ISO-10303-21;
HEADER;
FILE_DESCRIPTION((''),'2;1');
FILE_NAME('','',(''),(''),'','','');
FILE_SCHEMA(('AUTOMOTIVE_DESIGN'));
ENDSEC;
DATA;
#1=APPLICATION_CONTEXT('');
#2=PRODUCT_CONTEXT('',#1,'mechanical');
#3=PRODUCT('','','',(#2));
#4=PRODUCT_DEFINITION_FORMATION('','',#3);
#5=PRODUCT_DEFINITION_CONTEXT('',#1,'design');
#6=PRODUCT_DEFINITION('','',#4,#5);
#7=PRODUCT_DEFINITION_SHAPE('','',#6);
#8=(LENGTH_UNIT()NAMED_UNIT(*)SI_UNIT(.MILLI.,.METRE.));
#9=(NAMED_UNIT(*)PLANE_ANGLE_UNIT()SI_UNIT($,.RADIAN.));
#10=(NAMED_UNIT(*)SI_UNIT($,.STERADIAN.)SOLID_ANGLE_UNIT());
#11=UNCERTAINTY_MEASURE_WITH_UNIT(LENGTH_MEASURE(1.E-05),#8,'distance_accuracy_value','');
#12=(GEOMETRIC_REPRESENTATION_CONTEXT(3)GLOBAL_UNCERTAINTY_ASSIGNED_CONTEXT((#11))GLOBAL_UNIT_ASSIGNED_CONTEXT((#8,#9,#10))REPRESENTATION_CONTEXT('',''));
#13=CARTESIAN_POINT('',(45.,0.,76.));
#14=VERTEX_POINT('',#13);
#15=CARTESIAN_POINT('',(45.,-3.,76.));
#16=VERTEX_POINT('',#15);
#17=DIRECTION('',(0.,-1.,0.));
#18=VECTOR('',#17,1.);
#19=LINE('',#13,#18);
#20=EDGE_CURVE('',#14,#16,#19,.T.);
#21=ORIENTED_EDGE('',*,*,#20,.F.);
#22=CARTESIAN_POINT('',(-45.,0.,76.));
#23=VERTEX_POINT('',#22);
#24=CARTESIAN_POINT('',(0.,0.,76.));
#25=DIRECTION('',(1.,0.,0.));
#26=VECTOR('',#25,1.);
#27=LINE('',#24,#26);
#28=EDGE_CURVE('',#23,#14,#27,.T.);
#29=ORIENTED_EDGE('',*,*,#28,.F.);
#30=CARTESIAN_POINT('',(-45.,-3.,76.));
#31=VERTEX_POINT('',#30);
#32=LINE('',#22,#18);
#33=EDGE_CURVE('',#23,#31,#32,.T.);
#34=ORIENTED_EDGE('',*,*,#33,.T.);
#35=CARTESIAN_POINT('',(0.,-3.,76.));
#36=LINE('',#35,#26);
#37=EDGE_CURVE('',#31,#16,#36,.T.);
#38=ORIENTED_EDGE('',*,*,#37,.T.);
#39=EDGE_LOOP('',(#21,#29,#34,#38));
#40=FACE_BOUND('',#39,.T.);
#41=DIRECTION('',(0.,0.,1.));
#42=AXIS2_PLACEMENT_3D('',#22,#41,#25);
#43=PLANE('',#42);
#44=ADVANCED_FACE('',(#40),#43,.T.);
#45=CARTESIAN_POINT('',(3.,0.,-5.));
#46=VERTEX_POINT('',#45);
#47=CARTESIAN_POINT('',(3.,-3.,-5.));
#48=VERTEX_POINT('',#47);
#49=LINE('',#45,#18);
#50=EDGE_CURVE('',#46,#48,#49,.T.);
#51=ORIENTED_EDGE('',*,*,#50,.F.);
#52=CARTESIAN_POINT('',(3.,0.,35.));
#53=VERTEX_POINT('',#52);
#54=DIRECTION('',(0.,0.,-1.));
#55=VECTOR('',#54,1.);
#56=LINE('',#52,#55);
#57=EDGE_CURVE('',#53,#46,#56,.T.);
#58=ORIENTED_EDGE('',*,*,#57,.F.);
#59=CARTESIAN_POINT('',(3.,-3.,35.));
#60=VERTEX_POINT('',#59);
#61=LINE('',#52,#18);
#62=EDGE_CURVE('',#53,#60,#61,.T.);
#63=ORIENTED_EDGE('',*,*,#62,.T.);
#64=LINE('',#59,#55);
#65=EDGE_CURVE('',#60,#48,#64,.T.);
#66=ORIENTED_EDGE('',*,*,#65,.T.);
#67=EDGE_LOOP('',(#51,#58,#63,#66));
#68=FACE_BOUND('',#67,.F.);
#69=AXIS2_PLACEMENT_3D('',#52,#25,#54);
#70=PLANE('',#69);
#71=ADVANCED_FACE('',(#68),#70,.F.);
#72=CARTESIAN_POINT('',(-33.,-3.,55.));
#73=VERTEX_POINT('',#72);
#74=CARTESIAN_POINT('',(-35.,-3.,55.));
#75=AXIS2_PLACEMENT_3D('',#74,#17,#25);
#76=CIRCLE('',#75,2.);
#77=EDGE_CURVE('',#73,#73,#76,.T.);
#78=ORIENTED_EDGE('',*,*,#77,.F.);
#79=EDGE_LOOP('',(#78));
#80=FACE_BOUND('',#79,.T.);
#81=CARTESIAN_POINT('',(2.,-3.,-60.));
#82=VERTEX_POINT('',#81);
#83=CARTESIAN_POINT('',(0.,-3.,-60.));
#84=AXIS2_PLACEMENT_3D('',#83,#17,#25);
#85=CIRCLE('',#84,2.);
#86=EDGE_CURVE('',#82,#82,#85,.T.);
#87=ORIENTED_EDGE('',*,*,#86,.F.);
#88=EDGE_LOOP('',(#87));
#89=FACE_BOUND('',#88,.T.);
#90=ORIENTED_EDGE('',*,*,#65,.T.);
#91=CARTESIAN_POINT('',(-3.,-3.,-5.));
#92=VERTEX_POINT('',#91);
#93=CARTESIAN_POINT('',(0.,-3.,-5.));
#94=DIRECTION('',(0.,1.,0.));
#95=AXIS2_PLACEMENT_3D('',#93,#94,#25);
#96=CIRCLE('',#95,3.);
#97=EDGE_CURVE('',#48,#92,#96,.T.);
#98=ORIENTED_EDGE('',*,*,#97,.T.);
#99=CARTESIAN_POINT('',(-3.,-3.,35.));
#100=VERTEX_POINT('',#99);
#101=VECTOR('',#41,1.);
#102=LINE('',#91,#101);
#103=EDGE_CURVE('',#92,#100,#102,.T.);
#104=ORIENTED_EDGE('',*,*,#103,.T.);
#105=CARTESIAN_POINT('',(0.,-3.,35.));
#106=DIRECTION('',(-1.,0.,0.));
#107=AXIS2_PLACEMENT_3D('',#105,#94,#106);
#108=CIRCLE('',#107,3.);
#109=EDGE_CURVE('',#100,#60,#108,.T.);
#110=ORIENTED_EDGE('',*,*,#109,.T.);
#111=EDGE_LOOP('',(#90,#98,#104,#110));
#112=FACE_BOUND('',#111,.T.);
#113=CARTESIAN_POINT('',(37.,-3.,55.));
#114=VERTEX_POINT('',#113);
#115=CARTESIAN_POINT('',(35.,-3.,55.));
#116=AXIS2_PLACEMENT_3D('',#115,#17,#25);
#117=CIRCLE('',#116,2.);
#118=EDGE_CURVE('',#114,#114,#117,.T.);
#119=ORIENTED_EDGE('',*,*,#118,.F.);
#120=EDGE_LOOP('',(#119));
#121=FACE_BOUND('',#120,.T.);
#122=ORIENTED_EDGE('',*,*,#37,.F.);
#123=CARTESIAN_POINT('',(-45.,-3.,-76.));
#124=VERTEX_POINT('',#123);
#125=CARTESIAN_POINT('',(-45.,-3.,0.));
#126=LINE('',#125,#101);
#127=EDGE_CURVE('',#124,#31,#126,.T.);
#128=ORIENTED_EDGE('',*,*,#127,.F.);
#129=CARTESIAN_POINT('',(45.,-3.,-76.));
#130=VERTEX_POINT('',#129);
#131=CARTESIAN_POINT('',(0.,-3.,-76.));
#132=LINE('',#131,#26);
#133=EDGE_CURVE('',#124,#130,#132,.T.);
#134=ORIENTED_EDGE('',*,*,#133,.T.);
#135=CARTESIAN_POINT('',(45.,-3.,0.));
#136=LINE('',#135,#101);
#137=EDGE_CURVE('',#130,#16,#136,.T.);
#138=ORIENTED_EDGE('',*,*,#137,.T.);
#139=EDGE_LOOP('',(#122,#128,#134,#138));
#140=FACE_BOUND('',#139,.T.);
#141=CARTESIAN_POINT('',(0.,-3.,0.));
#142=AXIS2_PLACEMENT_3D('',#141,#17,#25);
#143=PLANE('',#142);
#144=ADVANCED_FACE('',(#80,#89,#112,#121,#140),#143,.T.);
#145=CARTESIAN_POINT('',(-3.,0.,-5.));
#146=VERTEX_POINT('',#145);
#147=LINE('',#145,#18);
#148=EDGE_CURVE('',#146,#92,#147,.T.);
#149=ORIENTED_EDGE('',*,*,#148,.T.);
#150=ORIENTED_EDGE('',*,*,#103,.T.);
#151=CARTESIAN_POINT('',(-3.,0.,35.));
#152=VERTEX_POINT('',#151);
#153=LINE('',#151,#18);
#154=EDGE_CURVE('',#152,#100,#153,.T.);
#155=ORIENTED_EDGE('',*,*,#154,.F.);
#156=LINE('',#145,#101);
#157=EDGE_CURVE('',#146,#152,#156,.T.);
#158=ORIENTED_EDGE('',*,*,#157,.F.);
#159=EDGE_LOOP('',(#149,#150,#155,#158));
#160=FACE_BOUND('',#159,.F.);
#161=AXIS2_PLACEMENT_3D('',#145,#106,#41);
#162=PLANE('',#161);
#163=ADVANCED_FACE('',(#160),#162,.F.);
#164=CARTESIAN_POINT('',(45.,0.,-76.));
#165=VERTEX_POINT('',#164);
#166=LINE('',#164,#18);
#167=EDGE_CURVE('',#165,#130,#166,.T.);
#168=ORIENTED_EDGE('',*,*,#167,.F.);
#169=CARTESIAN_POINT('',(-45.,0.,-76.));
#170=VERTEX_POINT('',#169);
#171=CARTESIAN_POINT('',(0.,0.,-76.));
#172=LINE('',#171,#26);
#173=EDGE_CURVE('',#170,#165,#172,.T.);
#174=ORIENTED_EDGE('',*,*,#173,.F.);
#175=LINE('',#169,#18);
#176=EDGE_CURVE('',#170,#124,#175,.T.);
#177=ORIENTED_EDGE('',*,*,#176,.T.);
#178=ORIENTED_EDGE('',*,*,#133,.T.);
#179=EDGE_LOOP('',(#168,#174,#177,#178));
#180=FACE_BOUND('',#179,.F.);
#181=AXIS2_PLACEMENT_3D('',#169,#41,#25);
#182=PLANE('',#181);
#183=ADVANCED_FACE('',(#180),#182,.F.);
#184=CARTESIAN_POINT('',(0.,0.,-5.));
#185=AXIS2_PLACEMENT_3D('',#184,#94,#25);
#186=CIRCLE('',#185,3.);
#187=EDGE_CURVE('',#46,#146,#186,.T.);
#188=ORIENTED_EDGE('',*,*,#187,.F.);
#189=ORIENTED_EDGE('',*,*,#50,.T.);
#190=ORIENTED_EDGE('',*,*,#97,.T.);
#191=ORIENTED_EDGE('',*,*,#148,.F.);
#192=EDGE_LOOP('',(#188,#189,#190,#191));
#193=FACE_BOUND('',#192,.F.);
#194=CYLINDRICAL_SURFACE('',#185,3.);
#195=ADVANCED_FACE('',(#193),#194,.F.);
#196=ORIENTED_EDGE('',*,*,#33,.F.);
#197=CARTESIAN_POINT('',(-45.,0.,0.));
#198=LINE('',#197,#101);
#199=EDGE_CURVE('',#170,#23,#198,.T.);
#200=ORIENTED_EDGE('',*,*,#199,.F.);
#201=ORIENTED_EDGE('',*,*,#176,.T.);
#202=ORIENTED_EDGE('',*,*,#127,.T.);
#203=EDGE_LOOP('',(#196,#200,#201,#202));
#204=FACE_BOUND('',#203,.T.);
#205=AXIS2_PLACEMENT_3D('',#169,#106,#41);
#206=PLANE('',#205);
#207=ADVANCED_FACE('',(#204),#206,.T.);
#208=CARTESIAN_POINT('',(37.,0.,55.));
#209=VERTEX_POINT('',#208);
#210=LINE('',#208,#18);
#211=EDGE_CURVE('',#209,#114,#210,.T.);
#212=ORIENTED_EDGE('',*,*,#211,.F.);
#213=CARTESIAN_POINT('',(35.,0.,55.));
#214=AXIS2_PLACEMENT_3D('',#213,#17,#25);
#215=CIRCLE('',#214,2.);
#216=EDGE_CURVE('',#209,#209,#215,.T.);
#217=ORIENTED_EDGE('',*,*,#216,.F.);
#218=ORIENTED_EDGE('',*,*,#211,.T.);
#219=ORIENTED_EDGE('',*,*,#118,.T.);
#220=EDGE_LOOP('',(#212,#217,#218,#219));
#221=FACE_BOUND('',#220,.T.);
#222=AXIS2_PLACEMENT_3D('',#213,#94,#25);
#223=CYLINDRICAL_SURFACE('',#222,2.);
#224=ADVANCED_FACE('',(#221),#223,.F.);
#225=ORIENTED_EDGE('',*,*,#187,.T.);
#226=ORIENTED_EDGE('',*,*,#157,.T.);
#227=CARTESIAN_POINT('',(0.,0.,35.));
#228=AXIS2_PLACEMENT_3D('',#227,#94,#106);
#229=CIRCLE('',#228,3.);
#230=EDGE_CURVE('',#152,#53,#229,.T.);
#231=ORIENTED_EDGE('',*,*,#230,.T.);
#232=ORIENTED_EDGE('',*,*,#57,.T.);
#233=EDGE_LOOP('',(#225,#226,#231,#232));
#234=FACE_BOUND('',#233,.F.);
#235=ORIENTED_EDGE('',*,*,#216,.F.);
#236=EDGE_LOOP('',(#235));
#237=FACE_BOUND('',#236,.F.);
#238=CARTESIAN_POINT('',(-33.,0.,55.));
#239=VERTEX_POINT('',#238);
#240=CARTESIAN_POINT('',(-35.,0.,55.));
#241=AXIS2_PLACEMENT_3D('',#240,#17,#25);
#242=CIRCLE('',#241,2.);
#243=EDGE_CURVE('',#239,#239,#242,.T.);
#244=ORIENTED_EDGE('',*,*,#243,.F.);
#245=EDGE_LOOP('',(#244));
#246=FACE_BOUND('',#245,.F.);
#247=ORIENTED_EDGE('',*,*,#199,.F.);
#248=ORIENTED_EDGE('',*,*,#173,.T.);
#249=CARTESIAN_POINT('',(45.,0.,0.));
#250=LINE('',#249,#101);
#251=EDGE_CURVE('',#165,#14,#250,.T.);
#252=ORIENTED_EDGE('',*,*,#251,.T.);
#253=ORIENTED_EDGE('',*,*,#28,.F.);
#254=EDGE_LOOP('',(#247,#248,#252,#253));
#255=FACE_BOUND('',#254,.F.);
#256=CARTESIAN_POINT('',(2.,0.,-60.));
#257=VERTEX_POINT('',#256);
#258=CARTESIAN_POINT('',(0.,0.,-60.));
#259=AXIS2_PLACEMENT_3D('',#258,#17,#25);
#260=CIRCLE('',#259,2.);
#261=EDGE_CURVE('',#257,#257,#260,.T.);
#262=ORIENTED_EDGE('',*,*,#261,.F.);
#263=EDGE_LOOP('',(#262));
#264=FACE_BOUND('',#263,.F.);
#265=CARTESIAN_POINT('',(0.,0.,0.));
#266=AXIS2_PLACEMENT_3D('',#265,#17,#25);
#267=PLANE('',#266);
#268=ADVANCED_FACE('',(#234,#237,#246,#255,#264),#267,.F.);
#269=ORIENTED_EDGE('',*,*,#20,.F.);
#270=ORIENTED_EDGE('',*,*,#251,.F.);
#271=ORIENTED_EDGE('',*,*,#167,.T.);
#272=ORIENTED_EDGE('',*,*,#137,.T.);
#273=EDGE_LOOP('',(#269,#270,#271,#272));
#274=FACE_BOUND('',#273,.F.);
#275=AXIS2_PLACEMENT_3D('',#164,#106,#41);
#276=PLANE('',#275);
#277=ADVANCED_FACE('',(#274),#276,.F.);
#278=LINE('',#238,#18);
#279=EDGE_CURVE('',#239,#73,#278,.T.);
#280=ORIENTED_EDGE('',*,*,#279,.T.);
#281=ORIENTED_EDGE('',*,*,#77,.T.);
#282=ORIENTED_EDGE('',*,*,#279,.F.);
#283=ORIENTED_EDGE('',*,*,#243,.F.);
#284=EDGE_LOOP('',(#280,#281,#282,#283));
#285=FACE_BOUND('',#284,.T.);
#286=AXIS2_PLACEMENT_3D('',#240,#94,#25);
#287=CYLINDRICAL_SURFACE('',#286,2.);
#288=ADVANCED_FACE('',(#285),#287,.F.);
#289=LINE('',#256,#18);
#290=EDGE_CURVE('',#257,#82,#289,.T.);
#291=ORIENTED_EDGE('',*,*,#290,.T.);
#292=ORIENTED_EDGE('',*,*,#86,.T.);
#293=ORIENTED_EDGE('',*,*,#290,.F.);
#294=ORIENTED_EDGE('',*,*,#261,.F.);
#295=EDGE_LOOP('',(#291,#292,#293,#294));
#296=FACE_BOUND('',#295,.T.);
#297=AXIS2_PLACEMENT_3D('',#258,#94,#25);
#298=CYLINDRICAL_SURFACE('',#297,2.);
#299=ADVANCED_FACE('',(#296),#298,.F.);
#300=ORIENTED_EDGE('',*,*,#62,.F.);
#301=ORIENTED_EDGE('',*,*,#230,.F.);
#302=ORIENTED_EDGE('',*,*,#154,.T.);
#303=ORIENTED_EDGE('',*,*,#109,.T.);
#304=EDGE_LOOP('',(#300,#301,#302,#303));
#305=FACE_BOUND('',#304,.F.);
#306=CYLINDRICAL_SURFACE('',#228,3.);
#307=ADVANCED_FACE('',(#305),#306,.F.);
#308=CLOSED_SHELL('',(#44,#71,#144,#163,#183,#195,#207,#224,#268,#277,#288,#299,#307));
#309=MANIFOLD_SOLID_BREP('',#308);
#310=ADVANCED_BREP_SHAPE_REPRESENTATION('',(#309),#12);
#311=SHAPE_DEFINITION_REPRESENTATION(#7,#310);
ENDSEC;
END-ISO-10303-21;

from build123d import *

# Parameters (mm, degrees)
F0_W     = 90
F0_H     = 152
F0_R     = 2
F1_DEPTH = 3


with BuildPart() as f1:
    # F0 (on Front) → F1 (new body)
    with BuildSketch(Plane.XZ):
        Rectangle(F0_W, F0_H)
        with Locations((0, -60)):
            Circle(F0_R, mode=Mode.SUBTRACT)
        with Locations((-35, 55)):
            Circle(F0_R, mode=Mode.SUBTRACT)
        with BuildLine():
            ThreePointArc((3, -5), (0, -8), (-3, -5))
            Line((-3, -5), (-3, 35))
            ThreePointArc((-3, 35), (0, 38), (3, 35))
            Line((3, 35), (3, -5))
        make_face(mode=Mode.SUBTRACT)
        with Locations((35, 55)):
            Circle(F0_R, mode=Mode.SUBTRACT)
    extrude(amount=F1_DEPTH)


solid = f1.part
